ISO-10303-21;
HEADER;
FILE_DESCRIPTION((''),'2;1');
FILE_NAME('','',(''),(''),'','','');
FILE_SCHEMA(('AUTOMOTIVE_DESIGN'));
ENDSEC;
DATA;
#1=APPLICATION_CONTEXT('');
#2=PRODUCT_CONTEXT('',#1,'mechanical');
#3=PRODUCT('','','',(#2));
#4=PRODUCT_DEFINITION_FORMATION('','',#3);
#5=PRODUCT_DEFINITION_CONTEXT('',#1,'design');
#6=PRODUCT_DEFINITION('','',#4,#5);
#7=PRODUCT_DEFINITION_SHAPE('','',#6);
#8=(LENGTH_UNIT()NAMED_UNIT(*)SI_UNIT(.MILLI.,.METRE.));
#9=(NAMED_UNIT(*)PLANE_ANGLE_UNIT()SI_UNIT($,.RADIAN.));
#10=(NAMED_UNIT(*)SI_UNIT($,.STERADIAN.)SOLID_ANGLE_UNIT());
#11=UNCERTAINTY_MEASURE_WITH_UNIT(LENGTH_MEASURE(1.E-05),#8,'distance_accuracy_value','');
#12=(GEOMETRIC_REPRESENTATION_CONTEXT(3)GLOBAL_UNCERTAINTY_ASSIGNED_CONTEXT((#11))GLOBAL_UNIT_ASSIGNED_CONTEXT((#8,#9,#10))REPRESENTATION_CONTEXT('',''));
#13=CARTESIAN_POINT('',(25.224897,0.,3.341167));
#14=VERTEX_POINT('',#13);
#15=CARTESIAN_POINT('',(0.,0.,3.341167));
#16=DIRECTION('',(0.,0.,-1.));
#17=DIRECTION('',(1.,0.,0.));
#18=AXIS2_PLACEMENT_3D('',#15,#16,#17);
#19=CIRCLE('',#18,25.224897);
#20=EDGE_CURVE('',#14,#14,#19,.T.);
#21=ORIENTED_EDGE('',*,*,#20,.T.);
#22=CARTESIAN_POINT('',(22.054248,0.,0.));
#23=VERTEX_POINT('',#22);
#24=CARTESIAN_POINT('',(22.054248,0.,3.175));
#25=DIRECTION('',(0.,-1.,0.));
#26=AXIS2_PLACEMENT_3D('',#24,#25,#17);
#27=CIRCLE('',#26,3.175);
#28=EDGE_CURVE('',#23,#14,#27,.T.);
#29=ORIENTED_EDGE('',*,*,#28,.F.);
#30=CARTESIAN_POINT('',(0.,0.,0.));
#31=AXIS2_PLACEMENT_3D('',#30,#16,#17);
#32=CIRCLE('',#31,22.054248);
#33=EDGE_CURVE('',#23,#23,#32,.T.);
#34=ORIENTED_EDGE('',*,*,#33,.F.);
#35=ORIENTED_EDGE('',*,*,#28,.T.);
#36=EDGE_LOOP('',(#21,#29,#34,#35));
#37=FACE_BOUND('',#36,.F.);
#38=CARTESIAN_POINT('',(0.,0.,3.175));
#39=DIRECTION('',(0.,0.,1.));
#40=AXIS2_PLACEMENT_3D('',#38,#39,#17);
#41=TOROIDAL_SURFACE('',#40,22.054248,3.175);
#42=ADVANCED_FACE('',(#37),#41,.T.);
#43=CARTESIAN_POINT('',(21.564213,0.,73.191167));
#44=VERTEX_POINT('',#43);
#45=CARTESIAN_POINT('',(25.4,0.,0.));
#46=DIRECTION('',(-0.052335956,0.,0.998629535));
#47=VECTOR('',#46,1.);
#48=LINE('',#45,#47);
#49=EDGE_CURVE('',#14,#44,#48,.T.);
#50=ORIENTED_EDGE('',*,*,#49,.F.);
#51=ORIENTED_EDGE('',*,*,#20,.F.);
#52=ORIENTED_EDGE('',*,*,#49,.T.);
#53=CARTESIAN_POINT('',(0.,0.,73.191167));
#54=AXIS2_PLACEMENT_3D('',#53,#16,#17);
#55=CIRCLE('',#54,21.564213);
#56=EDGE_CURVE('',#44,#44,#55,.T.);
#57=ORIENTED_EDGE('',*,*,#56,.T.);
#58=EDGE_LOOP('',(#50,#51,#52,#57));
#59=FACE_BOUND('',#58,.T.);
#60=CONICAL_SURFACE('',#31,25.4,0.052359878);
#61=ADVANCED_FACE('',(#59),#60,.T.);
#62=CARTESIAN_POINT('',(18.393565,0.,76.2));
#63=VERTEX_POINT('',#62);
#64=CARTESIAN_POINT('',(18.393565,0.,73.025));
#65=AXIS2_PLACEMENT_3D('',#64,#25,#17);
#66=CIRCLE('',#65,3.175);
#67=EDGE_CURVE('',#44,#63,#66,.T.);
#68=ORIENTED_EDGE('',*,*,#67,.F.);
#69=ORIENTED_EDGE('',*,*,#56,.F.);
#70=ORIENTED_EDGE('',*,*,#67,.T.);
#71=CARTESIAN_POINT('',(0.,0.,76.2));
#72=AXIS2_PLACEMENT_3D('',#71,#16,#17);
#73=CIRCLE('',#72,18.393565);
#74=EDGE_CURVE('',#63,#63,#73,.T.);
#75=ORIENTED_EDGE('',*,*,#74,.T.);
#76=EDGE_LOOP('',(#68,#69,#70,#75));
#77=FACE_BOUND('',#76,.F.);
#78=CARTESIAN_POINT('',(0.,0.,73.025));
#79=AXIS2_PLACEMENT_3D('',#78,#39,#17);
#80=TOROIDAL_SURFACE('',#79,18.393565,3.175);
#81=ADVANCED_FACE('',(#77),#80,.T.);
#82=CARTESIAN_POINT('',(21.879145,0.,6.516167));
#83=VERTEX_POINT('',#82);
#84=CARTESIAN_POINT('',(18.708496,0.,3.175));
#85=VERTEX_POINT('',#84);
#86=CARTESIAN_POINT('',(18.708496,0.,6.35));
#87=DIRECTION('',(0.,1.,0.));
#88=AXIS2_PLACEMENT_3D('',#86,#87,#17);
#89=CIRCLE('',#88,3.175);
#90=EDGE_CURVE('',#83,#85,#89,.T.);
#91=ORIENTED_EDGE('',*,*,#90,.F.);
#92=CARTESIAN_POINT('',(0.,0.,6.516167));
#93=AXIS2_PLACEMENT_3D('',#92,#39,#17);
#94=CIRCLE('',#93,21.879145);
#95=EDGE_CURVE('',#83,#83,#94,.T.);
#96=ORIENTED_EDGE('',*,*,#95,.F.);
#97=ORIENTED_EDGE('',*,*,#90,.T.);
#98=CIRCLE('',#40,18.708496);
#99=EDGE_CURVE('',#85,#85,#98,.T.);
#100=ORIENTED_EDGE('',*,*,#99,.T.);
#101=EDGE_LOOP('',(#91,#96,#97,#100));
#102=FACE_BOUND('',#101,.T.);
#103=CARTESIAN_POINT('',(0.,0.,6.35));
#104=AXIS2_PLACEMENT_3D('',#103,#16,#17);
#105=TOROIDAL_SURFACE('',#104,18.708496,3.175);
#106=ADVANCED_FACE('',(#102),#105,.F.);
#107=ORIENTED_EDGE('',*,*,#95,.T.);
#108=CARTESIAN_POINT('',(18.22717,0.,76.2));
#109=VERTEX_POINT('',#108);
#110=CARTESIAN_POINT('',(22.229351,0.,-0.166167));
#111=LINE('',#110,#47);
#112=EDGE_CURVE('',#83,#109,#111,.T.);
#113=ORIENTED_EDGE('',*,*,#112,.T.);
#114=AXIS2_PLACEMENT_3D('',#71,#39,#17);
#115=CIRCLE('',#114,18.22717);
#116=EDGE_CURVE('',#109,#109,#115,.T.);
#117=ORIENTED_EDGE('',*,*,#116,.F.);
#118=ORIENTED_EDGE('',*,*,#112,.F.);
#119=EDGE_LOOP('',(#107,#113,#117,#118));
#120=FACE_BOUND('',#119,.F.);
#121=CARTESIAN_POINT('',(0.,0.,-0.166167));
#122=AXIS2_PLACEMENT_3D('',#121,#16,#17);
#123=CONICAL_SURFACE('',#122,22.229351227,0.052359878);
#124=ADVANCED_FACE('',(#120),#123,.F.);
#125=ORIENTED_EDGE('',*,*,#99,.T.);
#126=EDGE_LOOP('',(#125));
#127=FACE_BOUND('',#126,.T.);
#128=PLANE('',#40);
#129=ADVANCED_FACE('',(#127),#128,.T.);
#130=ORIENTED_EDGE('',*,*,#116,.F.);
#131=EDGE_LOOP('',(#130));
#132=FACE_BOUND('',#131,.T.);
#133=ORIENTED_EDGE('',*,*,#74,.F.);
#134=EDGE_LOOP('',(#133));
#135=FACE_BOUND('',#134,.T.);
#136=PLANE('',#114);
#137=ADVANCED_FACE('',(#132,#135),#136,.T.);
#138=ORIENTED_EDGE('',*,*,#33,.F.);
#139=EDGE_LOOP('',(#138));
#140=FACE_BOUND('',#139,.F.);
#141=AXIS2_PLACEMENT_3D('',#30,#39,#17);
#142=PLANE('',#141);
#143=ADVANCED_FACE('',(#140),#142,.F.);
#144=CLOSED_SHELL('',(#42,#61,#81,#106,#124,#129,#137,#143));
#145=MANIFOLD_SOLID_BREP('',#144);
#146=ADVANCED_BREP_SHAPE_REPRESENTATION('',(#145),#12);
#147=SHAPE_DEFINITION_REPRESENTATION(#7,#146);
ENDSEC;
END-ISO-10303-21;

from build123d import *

# Parameters (mm, degrees)
F0_R     = 25.4
F1_DEPTH = 76.2
F1_TAPER = 3
F2_T     = -3.175
F3_R     = 3.175


with BuildPart() as f1:
    # F0 (on Top) → F1 (new body)
    with BuildSketch(Plane.XY):
        Circle(F0_R)
    extrude(amount=F1_DEPTH, taper=F1_TAPER)

    # F2
    f2_openings = [f1.faces().sort_by_distance(p)[0] for p in [
        (0, 0, 76.2),
    ]]
    offset(amount=F2_T, openings=f2_openings)

    # F3
    f3_edges = [f1.edges().sort_by_distance(p)[0] for p in [
        (-22.054248, 0, 3.175),
        (-21.406527, 0, 76.2),
        (-25.4, 0, 0),
    ]]
    fillet(f3_edges, radius=F3_R)


solid = f1.part
